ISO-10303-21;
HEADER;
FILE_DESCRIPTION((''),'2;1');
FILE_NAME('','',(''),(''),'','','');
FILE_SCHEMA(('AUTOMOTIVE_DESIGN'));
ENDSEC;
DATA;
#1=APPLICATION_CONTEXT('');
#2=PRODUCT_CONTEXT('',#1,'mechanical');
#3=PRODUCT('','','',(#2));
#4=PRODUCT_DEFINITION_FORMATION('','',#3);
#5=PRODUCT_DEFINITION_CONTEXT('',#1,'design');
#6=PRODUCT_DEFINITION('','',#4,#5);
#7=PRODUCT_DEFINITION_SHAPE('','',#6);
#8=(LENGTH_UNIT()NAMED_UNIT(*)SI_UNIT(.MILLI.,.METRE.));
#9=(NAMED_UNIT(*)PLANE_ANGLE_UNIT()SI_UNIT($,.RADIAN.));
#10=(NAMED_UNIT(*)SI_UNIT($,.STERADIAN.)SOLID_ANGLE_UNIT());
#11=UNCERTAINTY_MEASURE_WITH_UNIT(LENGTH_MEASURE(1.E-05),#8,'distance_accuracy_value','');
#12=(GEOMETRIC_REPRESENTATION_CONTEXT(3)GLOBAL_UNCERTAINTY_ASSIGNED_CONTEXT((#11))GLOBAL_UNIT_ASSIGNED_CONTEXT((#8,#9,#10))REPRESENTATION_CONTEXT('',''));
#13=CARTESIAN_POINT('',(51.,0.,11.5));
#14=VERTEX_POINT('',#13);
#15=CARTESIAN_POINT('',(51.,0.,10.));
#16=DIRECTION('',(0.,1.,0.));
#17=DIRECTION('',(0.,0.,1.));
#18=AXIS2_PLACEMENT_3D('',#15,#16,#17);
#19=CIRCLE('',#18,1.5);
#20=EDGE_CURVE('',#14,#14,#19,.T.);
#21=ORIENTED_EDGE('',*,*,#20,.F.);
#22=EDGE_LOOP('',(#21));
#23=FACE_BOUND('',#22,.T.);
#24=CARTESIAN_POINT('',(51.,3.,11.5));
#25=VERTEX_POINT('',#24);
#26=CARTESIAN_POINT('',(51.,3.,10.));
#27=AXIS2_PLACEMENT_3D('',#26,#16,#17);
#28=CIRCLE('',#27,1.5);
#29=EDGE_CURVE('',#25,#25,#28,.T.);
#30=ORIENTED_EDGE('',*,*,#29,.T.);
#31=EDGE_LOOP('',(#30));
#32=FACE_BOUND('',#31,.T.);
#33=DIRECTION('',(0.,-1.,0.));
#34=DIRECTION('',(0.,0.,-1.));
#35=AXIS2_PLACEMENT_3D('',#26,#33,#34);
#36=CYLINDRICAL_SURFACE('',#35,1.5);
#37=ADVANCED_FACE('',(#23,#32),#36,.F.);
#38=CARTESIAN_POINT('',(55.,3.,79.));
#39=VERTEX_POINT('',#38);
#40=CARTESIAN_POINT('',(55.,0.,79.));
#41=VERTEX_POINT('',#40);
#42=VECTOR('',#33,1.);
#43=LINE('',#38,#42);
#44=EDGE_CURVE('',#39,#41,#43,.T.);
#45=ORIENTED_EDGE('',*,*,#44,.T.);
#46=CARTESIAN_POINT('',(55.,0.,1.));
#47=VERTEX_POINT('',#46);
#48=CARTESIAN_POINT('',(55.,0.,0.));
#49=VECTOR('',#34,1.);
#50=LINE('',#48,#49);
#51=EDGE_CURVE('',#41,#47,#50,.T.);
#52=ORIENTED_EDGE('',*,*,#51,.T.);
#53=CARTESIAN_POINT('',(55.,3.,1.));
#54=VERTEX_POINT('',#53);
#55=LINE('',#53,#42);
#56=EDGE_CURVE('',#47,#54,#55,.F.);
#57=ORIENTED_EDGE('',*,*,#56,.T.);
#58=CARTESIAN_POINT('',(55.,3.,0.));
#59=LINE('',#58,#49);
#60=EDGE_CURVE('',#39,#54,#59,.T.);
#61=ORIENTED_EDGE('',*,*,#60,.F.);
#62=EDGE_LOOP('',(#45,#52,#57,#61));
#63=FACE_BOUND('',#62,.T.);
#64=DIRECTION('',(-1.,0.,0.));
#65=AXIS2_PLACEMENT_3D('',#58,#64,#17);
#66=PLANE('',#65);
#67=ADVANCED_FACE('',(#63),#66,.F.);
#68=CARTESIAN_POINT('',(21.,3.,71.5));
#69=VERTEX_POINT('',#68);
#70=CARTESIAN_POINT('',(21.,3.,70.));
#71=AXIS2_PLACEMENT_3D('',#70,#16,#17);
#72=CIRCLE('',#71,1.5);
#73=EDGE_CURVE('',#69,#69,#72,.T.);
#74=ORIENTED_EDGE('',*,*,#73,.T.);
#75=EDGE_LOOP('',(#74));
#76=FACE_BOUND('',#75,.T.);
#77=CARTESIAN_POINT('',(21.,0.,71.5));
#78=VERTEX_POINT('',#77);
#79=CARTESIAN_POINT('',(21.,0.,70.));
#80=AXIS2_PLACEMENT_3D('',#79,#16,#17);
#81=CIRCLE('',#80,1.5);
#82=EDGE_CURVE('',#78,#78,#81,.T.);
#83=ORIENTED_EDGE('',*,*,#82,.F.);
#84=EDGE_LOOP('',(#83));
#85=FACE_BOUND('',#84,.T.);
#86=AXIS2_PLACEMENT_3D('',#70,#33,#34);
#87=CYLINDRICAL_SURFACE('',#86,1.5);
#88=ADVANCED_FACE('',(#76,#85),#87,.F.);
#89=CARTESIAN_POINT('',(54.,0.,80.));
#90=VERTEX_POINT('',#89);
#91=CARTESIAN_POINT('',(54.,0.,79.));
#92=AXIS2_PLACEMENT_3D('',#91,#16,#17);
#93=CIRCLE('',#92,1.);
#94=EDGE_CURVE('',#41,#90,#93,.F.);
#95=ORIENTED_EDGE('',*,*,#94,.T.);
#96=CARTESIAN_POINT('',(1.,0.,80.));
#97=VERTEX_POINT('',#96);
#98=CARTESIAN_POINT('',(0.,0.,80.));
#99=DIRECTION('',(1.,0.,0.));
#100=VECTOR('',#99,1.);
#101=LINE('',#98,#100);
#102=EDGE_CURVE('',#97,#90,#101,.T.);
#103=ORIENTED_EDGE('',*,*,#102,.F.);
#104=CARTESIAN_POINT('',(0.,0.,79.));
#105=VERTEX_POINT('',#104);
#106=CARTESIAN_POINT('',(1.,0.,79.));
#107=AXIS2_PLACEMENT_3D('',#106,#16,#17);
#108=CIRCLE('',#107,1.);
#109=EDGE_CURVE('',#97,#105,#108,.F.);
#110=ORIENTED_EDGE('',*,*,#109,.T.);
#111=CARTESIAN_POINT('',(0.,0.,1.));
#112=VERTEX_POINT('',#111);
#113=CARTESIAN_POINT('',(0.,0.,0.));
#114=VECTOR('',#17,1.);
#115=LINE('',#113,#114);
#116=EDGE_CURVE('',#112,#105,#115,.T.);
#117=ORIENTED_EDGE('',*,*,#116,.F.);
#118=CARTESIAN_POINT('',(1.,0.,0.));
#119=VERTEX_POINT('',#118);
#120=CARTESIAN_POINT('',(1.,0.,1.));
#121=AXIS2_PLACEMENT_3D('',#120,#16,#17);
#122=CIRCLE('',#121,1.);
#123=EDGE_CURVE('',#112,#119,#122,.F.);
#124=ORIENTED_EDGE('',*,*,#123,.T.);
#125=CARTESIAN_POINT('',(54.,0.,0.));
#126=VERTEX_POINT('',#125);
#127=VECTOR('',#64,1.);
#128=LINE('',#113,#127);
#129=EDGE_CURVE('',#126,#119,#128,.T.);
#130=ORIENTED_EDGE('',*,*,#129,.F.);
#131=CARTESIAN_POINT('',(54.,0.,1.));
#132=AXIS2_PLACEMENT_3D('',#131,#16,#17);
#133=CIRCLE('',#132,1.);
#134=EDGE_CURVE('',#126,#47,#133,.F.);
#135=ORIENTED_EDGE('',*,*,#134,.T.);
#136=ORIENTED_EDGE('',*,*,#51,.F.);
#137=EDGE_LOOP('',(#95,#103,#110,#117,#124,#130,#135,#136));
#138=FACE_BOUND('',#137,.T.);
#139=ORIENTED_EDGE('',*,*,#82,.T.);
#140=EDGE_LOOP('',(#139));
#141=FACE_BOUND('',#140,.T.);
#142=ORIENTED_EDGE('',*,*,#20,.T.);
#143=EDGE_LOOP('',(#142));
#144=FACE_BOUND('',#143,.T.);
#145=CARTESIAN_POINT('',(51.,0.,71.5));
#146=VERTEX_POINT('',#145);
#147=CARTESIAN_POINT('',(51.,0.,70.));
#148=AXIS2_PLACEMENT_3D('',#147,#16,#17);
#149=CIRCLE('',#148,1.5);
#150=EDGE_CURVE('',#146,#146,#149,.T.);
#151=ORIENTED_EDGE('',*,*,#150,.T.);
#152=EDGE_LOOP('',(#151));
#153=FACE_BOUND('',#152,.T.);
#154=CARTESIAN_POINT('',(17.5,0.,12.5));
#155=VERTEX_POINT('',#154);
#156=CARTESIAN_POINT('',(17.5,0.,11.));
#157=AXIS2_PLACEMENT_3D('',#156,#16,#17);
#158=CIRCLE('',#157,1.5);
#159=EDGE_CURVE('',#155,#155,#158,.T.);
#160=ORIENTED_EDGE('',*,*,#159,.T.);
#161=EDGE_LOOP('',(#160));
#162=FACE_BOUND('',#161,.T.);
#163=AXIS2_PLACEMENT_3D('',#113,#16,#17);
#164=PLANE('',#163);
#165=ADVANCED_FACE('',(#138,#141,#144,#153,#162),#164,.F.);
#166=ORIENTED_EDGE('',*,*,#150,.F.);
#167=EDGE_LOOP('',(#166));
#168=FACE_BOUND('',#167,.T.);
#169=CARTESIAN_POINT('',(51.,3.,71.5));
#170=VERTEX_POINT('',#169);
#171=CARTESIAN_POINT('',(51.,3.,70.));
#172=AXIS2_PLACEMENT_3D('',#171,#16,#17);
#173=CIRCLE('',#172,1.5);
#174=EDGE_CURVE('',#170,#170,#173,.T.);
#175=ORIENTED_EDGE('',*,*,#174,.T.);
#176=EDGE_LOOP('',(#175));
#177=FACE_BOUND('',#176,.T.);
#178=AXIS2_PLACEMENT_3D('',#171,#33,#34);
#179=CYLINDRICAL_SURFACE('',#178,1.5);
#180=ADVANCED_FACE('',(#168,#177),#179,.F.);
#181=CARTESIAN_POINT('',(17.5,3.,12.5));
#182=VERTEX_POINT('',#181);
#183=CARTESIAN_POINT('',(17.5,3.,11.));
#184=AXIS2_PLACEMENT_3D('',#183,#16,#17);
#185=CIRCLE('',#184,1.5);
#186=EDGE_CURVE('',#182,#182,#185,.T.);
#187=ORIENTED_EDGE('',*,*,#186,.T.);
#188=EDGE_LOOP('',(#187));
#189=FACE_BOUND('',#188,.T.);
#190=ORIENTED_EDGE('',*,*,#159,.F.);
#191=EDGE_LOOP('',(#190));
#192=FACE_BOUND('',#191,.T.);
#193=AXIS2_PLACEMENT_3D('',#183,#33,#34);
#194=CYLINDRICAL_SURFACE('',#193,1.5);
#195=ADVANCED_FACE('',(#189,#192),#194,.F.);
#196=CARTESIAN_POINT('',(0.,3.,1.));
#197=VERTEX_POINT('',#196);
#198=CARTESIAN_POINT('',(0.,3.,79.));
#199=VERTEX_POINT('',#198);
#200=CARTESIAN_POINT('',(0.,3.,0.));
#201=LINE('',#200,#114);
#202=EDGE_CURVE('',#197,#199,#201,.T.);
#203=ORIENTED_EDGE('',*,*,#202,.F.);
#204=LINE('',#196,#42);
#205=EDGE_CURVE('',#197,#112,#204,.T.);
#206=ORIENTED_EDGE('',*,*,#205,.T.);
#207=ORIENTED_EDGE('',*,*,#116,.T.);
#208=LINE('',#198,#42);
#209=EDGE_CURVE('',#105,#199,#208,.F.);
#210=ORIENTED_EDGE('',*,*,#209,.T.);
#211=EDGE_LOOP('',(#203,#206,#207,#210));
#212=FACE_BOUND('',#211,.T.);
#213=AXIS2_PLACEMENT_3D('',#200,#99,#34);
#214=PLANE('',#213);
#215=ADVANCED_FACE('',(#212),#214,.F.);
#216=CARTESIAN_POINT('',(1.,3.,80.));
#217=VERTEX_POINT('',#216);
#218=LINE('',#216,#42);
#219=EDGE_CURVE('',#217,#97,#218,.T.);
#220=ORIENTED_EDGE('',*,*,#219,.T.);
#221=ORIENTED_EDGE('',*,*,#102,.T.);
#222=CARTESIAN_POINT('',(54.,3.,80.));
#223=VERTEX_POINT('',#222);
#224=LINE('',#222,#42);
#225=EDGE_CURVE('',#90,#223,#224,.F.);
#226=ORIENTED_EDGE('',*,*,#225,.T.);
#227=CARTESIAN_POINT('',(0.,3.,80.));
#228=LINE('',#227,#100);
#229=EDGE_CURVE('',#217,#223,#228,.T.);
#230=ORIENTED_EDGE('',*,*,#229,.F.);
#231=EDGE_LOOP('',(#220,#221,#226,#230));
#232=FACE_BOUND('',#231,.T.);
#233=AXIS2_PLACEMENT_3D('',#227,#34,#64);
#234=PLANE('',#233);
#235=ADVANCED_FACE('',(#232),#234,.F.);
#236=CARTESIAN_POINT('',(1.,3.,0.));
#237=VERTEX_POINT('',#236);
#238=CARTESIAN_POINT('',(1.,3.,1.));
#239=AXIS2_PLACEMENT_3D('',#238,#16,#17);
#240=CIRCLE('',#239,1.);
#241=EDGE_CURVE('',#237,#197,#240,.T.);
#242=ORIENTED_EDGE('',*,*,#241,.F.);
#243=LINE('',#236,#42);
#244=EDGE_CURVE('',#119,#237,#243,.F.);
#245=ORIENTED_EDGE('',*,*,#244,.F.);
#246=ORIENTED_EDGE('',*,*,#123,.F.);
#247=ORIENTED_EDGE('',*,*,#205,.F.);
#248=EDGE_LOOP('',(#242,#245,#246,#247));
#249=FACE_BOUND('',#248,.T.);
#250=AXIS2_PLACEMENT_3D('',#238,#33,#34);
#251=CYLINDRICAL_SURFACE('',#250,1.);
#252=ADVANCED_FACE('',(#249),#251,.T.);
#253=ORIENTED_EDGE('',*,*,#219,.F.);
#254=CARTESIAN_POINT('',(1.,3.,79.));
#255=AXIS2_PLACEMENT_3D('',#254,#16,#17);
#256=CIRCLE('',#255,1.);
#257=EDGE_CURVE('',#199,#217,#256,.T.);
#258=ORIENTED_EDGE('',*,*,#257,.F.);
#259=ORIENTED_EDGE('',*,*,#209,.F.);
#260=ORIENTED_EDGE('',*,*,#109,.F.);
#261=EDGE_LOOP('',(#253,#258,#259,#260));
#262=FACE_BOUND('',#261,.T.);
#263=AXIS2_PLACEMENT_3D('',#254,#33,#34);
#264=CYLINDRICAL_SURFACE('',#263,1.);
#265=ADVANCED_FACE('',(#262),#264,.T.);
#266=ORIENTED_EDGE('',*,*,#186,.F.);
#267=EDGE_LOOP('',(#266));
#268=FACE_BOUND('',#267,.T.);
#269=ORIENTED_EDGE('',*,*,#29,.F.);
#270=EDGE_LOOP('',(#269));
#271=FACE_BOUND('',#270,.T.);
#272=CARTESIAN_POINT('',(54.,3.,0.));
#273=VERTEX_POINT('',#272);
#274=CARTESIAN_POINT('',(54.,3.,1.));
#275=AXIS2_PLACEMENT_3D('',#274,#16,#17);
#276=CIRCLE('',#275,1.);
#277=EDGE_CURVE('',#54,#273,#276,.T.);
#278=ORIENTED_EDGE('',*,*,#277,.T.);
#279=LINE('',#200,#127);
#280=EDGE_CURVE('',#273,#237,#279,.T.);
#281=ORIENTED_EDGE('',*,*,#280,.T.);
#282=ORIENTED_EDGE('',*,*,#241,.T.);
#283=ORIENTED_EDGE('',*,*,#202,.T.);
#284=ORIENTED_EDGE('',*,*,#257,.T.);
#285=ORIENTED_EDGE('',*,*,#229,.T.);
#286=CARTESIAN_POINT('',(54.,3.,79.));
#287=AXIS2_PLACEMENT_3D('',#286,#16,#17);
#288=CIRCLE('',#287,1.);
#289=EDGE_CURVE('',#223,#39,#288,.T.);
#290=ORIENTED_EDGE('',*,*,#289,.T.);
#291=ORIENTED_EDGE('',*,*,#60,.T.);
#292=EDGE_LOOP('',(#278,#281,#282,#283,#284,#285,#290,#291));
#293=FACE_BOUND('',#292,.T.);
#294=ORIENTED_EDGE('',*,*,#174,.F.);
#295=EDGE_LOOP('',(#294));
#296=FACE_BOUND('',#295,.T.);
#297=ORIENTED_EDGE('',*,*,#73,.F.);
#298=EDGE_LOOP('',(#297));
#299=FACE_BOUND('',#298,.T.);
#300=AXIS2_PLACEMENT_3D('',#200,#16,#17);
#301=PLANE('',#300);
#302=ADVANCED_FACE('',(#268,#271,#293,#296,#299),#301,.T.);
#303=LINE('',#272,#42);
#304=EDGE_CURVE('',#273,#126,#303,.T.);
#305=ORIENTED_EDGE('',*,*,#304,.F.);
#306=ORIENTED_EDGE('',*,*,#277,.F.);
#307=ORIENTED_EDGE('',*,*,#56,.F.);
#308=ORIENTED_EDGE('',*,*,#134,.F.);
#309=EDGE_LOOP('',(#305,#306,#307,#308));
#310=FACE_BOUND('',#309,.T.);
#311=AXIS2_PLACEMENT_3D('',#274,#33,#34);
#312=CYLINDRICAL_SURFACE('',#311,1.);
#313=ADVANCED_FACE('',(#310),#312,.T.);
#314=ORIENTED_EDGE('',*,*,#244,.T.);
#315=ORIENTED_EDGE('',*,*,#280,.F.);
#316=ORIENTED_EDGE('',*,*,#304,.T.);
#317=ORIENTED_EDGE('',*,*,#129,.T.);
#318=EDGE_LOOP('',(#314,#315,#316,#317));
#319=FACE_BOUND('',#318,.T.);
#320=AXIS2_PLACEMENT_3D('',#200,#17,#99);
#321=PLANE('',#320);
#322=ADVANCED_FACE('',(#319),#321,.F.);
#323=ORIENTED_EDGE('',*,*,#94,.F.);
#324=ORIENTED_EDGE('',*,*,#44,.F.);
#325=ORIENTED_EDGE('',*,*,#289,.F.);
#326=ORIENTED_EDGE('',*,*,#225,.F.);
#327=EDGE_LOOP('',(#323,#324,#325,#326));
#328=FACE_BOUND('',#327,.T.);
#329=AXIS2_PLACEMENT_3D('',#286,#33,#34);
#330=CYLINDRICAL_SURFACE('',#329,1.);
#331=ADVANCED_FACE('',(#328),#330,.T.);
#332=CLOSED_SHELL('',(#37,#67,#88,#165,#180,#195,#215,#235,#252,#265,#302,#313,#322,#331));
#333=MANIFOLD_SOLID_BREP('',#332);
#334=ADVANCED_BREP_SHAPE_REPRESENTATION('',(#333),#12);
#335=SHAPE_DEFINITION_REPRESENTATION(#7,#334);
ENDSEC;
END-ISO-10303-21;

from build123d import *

# Parameters (mm, degrees)
SKETCH_1_W      = 55
SKETCH_1_H      = 80
SKETCH_1_R      = 1.5
EXTRUDE_1_DEPTH = 3
FILLET_1_R      = 1


with BuildPart() as part:
    # 草图1 → 凸台-拉伸1 (new body)
    with BuildSketch(Plane(origin=(0, 0, 0), x_dir=(1, 0, 0), z_dir=(0, 1, 0))):
        with Locations((27.5, -40)):
            Rectangle(SKETCH_1_W, SKETCH_1_H)
        with Locations(Location((17.5, -11, 0), (0, 0, 270))):
            Circle(SKETCH_1_R, mode=Mode.SUBTRACT)
        with Locations(Location((51, -10, 0), (0, 0, 270))):
            Circle(SKETCH_1_R, mode=Mode.SUBTRACT)
        with Locations(Location((21, -70, 0), (0, 0, 270))):
            Circle(SKETCH_1_R, mode=Mode.SUBTRACT)
        with Locations(Location((51, -70, 0), (0, 0, 270))):
            Circle(SKETCH_1_R, mode=Mode.SUBTRACT)
    extrude(amount=EXTRUDE_1_DEPTH)

    # 圆角1
    fillet_1_edges = [part.edges().sort_by_distance(p)[0] for p in [
        (0, 1.5, 0),
        (55, 1.5, 0),
        (55, 1.5, 80),
        (0, 1.5, 80),
    ]]
    fillet(fillet_1_edges, radius=FILLET_1_R)


solid = part.part
